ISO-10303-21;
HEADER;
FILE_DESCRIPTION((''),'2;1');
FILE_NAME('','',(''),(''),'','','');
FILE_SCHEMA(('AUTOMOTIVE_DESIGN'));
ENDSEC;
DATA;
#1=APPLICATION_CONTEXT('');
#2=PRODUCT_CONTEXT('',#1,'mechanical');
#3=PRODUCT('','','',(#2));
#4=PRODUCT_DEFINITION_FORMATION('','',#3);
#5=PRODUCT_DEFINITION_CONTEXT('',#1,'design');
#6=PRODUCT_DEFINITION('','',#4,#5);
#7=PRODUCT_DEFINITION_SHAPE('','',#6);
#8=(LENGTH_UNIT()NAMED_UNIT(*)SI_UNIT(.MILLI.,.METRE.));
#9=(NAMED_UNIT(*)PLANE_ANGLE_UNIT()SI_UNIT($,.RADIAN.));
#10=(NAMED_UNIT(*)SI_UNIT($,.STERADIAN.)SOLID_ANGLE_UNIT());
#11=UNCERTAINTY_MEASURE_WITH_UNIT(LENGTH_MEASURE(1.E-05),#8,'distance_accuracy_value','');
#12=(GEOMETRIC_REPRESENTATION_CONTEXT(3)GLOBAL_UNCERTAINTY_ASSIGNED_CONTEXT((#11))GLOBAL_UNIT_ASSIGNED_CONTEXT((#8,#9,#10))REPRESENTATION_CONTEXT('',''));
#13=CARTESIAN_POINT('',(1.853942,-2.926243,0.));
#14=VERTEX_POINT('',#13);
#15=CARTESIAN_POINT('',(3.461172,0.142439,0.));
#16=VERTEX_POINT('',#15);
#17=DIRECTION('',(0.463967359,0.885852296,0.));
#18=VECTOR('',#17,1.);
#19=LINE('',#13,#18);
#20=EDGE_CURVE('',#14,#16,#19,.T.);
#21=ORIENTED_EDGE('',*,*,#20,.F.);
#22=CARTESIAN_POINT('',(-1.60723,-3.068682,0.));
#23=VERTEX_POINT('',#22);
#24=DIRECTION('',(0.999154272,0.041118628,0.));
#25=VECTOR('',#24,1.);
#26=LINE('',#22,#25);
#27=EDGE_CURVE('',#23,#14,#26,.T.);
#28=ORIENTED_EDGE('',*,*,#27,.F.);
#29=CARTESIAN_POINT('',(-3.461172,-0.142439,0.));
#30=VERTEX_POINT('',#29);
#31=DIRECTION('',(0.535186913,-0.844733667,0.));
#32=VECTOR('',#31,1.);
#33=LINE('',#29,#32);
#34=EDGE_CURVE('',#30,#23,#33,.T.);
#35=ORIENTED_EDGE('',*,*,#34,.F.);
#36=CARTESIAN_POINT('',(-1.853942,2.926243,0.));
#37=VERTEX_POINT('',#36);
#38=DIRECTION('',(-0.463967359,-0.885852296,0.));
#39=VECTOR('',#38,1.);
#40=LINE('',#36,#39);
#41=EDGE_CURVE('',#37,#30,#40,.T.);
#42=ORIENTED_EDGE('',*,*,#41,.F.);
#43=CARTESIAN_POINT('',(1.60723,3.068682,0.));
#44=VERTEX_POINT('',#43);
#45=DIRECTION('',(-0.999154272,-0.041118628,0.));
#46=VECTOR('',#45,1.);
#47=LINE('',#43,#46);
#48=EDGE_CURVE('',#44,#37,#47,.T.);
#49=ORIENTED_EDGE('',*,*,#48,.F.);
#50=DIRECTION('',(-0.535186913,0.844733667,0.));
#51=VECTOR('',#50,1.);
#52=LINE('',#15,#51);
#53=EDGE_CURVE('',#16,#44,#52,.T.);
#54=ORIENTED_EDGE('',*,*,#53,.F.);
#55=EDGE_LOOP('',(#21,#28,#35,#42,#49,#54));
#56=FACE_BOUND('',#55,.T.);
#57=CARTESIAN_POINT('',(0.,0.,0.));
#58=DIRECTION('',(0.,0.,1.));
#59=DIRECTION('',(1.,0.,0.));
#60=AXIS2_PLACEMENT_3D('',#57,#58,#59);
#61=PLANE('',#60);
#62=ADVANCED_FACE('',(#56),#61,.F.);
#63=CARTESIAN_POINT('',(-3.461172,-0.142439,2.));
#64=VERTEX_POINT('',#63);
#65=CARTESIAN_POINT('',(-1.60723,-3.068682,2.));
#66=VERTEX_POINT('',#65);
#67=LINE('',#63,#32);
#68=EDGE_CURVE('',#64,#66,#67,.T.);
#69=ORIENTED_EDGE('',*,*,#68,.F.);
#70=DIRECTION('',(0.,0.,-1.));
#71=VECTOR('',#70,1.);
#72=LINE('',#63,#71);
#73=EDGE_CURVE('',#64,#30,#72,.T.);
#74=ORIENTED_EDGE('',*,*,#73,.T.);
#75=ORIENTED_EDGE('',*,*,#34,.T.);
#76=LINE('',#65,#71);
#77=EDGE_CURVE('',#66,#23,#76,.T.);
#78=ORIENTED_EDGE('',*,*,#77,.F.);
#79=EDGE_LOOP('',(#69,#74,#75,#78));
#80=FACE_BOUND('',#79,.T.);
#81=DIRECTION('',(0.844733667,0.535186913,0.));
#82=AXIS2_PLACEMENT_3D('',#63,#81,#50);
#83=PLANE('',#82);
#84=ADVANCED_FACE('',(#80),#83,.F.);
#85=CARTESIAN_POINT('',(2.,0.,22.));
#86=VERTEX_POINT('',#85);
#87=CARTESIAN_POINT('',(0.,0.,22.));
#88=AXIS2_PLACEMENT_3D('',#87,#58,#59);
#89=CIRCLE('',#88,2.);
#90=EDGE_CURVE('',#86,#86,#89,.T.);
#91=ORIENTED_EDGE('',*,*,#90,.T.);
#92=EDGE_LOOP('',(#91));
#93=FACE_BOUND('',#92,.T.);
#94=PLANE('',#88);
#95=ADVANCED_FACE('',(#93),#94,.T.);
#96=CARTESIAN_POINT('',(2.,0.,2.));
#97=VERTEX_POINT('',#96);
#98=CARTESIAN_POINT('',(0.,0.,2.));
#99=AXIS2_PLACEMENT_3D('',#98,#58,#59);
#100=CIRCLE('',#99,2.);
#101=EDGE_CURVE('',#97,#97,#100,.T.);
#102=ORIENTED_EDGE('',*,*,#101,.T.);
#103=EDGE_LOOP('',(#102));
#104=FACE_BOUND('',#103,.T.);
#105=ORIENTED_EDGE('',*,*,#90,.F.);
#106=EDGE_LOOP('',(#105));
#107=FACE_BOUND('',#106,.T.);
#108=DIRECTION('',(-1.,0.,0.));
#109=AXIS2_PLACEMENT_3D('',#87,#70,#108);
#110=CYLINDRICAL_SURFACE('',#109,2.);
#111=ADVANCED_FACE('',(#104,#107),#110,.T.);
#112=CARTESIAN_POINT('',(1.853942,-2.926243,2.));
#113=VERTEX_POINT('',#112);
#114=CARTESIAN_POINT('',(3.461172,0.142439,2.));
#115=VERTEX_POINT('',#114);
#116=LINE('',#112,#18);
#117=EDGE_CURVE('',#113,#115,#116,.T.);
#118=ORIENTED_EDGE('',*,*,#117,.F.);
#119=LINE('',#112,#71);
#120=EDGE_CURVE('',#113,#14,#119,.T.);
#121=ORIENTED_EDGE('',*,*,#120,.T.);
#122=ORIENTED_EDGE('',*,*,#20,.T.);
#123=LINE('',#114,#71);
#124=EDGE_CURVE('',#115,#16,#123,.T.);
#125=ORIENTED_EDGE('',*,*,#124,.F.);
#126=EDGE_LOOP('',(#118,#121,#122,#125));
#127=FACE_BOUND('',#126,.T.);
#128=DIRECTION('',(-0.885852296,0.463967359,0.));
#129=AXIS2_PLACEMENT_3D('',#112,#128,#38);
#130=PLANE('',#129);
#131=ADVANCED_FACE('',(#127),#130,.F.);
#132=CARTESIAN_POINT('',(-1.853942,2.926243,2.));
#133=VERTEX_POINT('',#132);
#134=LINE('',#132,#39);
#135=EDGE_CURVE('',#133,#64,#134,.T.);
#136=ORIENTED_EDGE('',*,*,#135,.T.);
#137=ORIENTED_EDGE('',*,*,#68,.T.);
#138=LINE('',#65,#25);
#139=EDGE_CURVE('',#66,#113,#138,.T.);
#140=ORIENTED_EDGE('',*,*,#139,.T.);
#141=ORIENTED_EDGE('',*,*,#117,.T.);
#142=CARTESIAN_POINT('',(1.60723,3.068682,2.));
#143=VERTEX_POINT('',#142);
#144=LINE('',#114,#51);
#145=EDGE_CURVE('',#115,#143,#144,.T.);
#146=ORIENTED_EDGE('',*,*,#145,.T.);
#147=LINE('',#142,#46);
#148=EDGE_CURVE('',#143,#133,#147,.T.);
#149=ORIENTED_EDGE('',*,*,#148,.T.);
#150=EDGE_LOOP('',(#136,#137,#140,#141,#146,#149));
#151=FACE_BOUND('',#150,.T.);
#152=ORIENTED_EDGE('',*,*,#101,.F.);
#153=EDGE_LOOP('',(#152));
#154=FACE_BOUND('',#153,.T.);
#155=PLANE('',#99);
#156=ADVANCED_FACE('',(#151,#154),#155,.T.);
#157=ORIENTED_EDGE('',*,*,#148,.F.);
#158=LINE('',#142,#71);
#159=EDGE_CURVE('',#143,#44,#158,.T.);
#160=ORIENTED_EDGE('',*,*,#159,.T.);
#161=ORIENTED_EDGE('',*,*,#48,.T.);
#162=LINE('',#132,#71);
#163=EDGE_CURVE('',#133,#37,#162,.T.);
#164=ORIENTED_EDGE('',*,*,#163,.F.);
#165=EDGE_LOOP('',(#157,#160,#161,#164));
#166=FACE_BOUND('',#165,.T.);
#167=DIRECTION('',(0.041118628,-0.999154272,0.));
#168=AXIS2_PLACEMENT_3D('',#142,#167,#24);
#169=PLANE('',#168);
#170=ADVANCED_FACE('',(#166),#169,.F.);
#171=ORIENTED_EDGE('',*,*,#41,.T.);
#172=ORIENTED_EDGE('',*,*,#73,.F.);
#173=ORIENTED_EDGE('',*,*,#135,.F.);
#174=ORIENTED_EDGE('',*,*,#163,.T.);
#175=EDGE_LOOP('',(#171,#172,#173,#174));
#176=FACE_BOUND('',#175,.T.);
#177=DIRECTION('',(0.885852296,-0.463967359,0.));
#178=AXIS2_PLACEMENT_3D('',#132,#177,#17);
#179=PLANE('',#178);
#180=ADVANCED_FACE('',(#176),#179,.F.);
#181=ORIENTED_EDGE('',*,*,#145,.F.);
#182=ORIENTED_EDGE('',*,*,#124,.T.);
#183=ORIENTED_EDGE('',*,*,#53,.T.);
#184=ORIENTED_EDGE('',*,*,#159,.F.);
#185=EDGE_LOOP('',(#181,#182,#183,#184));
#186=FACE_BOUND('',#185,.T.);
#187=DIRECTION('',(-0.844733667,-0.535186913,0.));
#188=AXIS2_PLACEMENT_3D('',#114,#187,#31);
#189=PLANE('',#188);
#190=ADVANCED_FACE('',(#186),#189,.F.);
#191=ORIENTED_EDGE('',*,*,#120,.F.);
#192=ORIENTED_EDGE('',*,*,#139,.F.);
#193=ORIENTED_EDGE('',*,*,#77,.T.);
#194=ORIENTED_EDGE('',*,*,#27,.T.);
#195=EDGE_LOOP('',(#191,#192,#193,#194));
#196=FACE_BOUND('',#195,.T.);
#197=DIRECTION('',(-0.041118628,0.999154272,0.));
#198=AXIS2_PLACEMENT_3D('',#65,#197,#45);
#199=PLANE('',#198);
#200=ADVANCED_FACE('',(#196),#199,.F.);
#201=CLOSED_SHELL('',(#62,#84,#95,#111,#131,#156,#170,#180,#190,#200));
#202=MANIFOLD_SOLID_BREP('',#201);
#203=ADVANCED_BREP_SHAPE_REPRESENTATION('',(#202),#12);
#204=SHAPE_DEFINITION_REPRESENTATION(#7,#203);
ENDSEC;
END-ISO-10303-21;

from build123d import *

# Parameters (mm, degrees)
BOSS_EXTRUDE1_DEPTH = 2
SKETCH2_R           = 2
BOSS_EXTRUDE2_DEPTH = 20


with BuildPart() as part:
    # Sketch1 → Boss-Extrude1 (new body)
    with BuildSketch(Plane.XY):
        Polygon((1.853941848, -2.926243261), (3.461171926, 0.142439107), (1.607230078, 3.068682368), (-1.853941848, 2.926243261), (-3.461171926, -0.142439107), (-1.607230078, -3.068682368), align=None)
    extrude(amount=BOSS_EXTRUDE1_DEPTH)

    # Sketch2 → Boss-Extrude2 (add)
    with BuildSketch(Plane.XY.offset(2)):
        Circle(SKETCH2_R)
    extrude(amount=BOSS_EXTRUDE2_DEPTH)


solid = part.part
